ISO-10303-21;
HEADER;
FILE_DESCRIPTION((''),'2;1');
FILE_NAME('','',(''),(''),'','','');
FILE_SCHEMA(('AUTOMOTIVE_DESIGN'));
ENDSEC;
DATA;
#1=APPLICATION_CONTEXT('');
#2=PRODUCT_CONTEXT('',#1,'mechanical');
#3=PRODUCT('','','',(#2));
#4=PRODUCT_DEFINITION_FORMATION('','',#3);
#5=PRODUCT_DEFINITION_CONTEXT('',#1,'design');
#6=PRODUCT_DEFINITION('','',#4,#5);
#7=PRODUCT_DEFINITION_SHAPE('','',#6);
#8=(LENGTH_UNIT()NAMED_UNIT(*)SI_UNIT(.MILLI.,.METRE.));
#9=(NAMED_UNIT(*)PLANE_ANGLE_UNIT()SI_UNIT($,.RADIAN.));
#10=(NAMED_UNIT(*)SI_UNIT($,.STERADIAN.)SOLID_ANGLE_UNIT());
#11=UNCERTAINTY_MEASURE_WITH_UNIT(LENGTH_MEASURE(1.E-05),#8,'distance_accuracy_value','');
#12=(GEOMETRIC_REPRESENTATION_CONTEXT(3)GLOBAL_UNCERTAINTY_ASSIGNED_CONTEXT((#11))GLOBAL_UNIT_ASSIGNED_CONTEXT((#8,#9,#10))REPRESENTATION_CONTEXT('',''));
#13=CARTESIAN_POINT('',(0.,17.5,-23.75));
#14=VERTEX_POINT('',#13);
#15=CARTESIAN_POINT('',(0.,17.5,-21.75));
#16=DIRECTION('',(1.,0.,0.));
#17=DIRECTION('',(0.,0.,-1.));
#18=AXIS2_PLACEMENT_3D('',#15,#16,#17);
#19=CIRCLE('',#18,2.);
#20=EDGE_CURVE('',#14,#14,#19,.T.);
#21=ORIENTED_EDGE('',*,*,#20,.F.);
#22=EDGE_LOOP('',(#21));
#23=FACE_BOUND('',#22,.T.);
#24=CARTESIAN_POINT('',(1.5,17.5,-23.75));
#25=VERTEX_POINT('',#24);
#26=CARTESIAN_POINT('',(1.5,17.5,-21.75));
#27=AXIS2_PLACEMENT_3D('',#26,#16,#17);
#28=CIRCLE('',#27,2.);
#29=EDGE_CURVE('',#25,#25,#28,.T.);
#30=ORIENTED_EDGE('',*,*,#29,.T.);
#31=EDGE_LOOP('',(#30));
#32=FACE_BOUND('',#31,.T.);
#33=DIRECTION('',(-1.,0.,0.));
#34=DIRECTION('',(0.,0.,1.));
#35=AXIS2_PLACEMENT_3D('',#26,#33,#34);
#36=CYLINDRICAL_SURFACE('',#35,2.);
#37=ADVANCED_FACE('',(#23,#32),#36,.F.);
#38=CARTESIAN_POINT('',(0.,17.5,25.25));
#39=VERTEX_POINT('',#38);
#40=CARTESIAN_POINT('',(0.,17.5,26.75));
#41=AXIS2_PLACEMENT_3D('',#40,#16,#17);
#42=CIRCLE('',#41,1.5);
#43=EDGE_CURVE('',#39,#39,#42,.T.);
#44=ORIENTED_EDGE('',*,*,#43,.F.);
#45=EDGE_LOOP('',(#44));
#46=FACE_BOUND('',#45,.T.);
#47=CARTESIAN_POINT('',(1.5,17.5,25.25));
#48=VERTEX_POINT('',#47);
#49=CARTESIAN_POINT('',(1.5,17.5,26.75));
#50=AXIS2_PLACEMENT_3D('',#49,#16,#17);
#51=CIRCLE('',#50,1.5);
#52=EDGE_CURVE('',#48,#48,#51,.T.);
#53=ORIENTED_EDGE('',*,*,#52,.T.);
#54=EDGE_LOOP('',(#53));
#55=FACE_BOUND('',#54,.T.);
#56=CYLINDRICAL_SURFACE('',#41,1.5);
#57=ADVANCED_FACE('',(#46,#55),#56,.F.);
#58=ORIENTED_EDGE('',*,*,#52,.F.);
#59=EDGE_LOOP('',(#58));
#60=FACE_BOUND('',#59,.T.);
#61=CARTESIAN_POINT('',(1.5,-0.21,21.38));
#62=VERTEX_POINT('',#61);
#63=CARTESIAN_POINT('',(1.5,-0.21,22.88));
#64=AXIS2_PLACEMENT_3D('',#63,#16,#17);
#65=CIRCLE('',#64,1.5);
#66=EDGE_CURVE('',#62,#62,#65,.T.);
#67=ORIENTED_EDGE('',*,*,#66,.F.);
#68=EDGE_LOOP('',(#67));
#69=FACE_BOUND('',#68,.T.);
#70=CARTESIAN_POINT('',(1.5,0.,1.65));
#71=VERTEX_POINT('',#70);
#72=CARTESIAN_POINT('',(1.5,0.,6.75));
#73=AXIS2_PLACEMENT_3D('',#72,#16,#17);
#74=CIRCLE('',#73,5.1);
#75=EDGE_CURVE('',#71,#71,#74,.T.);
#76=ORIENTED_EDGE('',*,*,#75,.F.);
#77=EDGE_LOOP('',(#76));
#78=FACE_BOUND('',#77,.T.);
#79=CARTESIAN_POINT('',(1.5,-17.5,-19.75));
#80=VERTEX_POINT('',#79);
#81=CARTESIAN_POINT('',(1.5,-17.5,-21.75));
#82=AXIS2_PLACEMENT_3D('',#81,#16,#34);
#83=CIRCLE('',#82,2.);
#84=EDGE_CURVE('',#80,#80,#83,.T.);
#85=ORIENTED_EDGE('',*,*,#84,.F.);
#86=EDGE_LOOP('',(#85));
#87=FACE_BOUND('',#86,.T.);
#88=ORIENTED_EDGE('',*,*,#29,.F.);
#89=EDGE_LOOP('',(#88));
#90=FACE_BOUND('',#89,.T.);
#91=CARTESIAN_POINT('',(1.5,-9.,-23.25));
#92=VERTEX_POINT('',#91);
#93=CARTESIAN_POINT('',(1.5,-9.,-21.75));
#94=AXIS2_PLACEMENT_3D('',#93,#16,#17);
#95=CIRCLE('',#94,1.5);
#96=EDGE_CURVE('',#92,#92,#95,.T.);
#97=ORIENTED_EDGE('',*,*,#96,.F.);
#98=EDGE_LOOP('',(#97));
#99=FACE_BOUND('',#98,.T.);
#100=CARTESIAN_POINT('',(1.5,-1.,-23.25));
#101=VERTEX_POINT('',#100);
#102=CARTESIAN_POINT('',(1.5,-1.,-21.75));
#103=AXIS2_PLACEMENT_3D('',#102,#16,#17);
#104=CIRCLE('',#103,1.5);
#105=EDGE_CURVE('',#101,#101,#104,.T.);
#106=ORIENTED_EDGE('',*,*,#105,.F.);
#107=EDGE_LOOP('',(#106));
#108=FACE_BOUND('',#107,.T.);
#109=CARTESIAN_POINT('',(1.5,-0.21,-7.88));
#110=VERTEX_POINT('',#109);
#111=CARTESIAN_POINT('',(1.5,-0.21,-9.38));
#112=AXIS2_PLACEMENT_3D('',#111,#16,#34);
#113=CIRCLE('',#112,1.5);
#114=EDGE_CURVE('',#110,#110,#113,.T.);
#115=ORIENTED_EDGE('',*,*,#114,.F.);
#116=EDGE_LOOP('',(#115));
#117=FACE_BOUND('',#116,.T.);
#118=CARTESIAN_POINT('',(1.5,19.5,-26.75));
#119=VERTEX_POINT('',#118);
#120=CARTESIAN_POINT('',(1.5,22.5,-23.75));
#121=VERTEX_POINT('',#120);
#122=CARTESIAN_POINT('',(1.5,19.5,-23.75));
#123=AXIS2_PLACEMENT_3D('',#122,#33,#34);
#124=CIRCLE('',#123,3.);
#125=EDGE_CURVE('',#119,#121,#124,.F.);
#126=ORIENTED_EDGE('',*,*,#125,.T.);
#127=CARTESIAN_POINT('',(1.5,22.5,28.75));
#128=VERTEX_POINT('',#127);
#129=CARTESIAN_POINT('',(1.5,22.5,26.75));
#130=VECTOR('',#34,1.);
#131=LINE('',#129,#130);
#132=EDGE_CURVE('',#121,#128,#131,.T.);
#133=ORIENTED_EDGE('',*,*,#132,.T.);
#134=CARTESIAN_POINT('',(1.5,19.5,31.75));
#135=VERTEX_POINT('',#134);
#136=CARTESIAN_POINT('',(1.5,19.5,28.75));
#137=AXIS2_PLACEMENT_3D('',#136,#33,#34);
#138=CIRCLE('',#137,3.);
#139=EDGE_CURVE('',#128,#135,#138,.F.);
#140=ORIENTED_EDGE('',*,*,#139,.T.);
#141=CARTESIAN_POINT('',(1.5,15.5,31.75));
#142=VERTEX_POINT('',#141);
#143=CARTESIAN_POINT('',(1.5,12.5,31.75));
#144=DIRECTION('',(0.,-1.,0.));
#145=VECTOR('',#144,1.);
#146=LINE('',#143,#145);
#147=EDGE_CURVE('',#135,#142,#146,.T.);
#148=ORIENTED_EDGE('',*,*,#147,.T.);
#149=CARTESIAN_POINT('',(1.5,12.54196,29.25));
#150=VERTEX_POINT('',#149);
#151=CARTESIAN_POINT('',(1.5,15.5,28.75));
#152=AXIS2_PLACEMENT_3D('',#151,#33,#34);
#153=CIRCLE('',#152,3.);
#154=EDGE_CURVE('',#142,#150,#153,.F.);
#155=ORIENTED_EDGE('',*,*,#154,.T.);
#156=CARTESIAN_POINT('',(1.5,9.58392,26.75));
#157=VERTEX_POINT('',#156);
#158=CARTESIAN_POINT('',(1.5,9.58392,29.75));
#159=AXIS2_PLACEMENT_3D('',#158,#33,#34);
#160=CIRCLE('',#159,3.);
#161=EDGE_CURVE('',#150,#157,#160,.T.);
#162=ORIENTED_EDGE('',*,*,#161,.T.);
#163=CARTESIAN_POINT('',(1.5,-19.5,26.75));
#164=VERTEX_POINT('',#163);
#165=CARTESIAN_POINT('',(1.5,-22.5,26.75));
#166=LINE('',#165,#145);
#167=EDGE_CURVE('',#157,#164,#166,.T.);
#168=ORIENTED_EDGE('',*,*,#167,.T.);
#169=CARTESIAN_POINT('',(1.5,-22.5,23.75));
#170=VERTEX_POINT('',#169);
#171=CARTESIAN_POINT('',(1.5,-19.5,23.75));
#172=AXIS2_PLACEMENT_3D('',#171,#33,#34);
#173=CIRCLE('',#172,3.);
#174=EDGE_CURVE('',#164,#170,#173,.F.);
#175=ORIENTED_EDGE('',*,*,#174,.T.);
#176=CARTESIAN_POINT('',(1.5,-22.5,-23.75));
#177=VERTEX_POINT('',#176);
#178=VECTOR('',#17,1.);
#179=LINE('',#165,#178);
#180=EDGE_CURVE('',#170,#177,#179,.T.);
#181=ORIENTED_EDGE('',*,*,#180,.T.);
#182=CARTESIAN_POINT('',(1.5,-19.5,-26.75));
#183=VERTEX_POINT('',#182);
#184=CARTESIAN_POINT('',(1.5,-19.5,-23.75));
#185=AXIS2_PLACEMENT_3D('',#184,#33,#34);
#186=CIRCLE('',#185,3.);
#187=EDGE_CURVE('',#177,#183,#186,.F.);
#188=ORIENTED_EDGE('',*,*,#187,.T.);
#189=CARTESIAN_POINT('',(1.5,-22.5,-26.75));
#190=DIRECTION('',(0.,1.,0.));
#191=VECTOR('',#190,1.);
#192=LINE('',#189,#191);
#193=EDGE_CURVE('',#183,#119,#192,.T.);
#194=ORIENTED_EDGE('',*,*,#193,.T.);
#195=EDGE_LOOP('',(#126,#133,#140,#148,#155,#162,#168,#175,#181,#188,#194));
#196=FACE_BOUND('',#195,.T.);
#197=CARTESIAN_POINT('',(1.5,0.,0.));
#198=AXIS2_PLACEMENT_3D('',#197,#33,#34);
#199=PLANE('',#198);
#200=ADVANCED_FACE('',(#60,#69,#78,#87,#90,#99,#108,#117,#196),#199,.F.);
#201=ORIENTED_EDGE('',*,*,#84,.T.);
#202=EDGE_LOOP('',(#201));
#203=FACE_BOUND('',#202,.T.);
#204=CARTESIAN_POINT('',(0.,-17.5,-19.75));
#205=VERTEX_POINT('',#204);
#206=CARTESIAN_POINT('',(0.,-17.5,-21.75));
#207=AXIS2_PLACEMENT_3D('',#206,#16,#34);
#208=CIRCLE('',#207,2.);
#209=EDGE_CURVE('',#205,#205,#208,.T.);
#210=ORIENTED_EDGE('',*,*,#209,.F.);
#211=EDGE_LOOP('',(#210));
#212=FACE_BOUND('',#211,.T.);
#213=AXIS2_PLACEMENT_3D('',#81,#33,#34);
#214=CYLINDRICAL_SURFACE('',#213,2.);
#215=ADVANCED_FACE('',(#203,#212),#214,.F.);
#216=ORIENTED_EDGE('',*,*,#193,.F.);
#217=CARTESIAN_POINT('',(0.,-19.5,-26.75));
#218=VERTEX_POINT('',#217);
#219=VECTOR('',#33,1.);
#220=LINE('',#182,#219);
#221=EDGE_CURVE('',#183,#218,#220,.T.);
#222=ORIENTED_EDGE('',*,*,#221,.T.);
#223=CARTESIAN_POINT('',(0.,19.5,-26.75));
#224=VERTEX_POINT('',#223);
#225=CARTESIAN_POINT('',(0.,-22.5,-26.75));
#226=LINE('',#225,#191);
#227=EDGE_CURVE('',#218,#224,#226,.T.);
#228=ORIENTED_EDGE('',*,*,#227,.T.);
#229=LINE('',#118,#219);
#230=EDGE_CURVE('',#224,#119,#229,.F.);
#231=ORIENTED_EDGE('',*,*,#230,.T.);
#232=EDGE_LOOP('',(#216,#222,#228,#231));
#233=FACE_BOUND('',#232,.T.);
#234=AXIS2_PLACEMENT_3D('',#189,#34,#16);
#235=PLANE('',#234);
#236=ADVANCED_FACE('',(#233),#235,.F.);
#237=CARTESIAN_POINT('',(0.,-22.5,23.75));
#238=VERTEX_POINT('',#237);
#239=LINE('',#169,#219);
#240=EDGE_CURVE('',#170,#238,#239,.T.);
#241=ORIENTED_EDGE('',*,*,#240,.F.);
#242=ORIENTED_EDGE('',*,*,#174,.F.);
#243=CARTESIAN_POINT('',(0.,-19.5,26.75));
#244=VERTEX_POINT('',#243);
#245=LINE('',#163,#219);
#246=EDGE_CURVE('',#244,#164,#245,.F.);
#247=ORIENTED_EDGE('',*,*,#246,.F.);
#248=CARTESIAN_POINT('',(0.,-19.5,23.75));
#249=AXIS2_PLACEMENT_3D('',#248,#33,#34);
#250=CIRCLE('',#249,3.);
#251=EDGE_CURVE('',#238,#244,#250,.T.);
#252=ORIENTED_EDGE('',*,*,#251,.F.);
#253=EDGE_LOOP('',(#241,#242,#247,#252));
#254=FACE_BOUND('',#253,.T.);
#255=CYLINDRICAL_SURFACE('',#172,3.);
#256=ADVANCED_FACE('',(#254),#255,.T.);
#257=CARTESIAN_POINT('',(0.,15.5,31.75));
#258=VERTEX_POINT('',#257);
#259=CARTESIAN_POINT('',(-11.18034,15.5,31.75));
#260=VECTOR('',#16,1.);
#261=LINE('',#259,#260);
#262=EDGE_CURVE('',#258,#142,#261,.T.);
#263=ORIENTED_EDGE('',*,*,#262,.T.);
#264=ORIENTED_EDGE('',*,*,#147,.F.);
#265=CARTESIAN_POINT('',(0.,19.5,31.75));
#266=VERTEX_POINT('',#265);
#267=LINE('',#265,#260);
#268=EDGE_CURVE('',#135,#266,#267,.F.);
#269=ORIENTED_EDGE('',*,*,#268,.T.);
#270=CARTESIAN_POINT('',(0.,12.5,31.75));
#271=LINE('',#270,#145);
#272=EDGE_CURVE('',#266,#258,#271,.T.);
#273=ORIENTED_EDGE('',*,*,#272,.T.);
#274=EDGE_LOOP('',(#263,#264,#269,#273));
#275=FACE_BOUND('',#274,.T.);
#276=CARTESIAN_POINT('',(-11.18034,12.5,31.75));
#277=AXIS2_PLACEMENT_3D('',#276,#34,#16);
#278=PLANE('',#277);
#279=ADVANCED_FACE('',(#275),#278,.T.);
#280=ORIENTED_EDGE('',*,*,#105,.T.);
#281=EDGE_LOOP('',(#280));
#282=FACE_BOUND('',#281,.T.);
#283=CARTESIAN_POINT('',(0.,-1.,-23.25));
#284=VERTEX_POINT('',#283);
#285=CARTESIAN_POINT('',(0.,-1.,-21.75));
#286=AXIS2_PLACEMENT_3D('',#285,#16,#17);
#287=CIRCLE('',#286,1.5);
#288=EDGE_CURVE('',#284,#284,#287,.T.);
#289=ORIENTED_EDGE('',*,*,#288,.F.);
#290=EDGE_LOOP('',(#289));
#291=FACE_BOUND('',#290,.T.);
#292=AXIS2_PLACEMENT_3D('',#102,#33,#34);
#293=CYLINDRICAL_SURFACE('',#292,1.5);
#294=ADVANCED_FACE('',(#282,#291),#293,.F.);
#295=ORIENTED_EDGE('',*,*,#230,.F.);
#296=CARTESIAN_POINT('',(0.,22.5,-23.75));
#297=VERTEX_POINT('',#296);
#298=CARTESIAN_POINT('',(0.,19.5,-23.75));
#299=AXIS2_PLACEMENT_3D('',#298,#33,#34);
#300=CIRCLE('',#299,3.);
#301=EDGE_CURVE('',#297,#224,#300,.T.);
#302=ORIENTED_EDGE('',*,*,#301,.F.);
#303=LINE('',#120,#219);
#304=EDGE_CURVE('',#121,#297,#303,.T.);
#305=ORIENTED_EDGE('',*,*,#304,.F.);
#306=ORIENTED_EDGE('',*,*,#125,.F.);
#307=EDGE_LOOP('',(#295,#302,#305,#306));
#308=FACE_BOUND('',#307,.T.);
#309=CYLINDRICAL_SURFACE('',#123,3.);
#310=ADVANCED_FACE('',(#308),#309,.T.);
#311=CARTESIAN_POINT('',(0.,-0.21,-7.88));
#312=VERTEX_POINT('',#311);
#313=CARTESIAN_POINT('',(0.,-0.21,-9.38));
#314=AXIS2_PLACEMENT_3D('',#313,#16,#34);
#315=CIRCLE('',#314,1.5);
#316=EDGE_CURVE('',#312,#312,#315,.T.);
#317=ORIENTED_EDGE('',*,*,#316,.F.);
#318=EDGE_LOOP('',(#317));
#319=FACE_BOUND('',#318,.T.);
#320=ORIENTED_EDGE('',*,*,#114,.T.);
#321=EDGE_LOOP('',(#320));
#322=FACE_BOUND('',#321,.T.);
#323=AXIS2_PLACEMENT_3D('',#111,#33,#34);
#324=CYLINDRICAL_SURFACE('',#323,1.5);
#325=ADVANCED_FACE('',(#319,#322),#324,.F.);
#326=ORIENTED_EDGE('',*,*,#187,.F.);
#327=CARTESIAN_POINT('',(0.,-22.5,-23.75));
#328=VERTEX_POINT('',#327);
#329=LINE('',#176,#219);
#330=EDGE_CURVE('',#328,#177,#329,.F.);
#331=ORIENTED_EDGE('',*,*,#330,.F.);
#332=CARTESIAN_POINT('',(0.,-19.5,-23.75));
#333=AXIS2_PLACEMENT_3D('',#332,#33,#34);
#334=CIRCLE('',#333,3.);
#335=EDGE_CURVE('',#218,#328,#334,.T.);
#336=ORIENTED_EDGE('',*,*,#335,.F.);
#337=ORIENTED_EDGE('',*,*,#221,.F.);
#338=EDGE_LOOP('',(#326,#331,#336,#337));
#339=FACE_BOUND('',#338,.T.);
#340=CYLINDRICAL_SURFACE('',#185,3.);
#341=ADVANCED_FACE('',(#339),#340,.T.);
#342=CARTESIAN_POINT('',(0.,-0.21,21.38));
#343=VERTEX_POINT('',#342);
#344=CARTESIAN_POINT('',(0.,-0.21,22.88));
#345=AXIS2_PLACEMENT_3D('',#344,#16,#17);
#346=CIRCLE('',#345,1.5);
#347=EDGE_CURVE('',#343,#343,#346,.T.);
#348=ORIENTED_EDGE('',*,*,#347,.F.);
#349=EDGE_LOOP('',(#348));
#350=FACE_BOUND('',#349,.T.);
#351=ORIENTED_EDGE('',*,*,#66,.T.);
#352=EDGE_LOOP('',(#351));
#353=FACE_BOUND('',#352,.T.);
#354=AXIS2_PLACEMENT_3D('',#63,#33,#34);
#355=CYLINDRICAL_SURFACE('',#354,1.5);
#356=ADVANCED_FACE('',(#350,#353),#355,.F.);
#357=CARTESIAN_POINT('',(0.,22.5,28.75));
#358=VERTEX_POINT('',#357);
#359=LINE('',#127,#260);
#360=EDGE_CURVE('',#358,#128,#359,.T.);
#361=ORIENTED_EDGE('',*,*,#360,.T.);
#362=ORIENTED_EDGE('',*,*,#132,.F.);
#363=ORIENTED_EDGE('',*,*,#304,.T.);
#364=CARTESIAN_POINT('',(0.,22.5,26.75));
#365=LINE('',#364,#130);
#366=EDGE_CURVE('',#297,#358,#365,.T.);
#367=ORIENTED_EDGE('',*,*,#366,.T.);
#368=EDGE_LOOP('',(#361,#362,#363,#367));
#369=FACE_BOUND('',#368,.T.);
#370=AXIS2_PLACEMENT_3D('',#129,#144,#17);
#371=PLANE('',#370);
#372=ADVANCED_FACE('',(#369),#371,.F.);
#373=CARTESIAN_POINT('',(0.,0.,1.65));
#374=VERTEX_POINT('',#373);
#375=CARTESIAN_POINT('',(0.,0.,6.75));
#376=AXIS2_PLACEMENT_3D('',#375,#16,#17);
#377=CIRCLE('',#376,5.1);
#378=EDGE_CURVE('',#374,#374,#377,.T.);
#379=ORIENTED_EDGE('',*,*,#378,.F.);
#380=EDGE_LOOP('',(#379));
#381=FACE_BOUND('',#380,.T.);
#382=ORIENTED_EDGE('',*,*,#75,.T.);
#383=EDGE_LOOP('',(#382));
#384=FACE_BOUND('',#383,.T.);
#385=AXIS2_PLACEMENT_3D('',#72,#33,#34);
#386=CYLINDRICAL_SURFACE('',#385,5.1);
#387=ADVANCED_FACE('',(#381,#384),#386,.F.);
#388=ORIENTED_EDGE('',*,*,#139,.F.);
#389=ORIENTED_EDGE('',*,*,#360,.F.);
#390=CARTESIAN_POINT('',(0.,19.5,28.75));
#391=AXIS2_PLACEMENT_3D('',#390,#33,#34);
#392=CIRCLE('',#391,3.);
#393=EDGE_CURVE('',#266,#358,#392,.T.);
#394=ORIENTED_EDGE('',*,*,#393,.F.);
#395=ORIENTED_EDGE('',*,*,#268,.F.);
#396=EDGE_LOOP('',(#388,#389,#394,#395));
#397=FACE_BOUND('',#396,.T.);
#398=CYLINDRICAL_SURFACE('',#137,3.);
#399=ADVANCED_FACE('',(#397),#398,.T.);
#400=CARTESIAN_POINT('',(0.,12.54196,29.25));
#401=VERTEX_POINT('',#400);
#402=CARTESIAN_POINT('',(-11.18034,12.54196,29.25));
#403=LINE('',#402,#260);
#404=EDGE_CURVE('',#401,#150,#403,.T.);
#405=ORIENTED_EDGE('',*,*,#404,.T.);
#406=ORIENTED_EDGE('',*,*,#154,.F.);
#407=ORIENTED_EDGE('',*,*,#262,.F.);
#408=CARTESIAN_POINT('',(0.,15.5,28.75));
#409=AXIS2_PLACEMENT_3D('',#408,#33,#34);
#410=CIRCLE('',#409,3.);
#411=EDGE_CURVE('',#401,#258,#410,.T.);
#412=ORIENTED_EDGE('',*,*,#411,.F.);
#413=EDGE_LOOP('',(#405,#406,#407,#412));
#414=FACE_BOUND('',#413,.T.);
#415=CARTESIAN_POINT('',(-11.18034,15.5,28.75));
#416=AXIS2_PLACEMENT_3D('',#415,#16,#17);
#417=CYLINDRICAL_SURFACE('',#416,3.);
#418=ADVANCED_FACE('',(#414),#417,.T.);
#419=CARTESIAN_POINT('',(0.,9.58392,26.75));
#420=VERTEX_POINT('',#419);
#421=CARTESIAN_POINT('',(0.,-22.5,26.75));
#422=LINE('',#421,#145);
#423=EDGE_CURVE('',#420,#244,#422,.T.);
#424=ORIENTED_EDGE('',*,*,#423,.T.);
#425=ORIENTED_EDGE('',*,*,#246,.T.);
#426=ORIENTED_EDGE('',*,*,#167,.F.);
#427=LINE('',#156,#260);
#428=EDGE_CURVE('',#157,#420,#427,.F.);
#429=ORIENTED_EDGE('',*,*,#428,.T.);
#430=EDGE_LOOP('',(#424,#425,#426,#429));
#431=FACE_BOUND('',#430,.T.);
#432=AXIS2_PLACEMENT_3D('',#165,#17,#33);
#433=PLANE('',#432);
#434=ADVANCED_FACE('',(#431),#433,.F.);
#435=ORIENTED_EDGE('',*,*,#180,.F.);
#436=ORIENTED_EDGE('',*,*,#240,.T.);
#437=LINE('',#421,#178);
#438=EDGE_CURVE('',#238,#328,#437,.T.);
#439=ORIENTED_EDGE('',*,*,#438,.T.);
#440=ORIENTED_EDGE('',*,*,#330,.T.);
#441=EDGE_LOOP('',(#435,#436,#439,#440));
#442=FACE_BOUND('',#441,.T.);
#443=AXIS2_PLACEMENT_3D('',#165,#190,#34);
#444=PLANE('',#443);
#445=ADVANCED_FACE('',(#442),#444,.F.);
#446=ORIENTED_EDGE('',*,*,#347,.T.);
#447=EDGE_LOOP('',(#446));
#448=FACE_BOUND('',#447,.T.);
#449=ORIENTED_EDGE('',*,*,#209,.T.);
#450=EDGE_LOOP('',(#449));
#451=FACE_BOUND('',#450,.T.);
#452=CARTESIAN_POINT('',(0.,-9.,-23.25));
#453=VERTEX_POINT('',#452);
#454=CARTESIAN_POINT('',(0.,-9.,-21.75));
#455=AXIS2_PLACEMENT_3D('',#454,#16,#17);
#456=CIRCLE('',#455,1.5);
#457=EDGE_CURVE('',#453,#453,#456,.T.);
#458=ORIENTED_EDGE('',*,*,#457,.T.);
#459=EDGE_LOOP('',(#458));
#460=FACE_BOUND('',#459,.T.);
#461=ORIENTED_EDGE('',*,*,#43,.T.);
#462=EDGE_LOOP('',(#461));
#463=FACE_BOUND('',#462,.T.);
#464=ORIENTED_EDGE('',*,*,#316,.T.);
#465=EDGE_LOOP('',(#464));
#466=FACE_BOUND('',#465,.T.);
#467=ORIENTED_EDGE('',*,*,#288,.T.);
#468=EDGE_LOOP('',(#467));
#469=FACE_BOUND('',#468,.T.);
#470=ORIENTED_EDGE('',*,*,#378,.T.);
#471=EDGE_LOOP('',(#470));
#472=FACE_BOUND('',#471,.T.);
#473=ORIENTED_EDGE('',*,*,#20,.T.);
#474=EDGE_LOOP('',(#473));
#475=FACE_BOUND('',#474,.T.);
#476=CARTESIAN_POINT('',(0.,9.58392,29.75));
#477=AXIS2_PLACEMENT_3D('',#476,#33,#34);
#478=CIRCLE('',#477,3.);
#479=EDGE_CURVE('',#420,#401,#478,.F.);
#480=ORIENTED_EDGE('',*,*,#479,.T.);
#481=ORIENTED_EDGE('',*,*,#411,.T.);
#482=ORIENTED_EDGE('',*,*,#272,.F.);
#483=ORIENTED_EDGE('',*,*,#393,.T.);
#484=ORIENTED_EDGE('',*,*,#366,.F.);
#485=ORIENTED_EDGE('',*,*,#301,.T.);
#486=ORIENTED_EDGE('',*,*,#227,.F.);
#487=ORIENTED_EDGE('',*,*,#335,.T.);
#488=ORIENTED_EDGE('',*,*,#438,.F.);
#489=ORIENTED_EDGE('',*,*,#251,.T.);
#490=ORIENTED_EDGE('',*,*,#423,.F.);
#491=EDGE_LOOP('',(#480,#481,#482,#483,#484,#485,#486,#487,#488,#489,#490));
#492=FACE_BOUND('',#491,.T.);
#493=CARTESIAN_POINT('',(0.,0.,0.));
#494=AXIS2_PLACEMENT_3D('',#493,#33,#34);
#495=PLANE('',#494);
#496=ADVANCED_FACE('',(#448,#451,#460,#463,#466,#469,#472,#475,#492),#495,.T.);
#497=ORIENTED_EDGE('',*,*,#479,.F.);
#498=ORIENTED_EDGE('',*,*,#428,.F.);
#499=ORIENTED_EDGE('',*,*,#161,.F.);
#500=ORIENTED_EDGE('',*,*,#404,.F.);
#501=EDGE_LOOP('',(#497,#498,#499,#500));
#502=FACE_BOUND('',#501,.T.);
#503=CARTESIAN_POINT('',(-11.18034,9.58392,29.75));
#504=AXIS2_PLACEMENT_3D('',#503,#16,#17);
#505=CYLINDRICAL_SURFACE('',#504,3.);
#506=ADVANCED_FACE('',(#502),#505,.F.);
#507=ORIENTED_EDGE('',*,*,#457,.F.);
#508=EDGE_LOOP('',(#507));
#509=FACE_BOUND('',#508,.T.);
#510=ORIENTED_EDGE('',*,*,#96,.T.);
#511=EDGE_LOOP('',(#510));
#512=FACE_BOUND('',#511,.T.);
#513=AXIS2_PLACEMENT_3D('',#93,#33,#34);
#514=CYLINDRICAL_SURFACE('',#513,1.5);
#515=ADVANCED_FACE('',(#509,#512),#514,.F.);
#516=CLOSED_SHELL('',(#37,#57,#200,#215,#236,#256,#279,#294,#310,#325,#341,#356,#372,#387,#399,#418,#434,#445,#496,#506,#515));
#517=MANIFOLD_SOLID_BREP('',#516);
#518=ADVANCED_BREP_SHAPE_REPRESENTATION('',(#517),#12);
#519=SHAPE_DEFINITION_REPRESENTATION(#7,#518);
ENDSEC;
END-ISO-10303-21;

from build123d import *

# Parameters (mm, degrees)
SKETCH_1_W          = 53.5
SKETCH_1_H          = 45
SKETCH_1_R          = 5.1
SKETCH_1_R_2        = 2
SKETCH_1_R_3        = 1.5
EXTRUDE_1_DEPTH     = 1.5
SKETCH_3_W          = 5
SKETCH_3_H          = 10
EXTRUDE_2_DEPTH     = 1.5
SKETCH_4_R          = 1.5
CUT_EXTRUDE_2_DEPTH = 39.943067419
FILLET_1_R          = 3
FILLET_2_R          = 3


with BuildPart() as part:
    # ｽｹｯﾁ1 → ﾎﾞｽ - 押し出し1 (new body)
    with BuildSketch(Plane(origin=(0, 0, 0), x_dir=(0, 0, -1), z_dir=(1, 0, 0))):
        Rectangle(SKETCH_1_W, SKETCH_1_H)
        with Locations((-6.75, 0)):
            Circle(SKETCH_1_R, mode=Mode.SUBTRACT)
        with Locations((21.75, 17.5)):
            Circle(SKETCH_1_R_2, mode=Mode.SUBTRACT)
        with Locations((-22.88, -0.21)):
            Circle(SKETCH_1_R_3, mode=Mode.SUBTRACT)
        with Locations(Location((9.38, -0.21, 0), (0, 0, 180))):
            Circle(SKETCH_1_R_3, mode=Mode.SUBTRACT)
        with Locations((21.75, -1)):
            Circle(SKETCH_1_R_3, mode=Mode.SUBTRACT)
        with Locations(Location((21.75, -17.5, 0), (0, 0, 180))):
            Circle(SKETCH_1_R_2, mode=Mode.SUBTRACT)
        with Locations((21.75, -9)):
            Circle(SKETCH_1_R_3, mode=Mode.SUBTRACT)
    extrude(amount=EXTRUDE_1_DEPTH)

    # ｽｹｯﾁ3 → ﾎﾞｽ - 押し出し2 (add)
    with BuildSketch(Plane(origin=(1.5, 0, 0), x_dir=(0, 0, -1), z_dir=(1, 0, 0))):
        with Locations((-29.25, 17.5)):
            Rectangle(SKETCH_3_W, SKETCH_3_H)
    extrude(amount=-EXTRUDE_2_DEPTH)

    # ｽｹｯﾁ4 → ｶｯﾄ - 押し出し2 (cut, through all)
    with BuildSketch(Plane(origin=(1.5, 0, 0), x_dir=(0, 0, -1), z_dir=(1, 0, 0))):
        with Locations((-26.75, 17.5)):
            Circle(SKETCH_4_R)
    extrude(amount=-CUT_EXTRUDE_2_DEPTH, mode=Mode.SUBTRACT)

    # ﾌｨﾚｯﾄ1
    fillet_1_edges = [part.edges().sort_by_distance(p)[0] for p in [
        (0.75, 22.5, 31.75),
        (0.75, 12.5, 31.75),
        (0.75, -22.5, -26.75),
        (0.75, -22.5, 26.75),
        (0.75, 22.5, -26.75),
    ]]
    fillet(fillet_1_edges, radius=FILLET_1_R)

    # ﾌｨﾚｯﾄ2
    fillet_2_edges = [part.edges().sort_by_distance(p)[0] for p in [
        (0.75, 12.5, 26.75),
    ]]
    fillet(fillet_2_edges, radius=FILLET_2_R)


solid = part.part
